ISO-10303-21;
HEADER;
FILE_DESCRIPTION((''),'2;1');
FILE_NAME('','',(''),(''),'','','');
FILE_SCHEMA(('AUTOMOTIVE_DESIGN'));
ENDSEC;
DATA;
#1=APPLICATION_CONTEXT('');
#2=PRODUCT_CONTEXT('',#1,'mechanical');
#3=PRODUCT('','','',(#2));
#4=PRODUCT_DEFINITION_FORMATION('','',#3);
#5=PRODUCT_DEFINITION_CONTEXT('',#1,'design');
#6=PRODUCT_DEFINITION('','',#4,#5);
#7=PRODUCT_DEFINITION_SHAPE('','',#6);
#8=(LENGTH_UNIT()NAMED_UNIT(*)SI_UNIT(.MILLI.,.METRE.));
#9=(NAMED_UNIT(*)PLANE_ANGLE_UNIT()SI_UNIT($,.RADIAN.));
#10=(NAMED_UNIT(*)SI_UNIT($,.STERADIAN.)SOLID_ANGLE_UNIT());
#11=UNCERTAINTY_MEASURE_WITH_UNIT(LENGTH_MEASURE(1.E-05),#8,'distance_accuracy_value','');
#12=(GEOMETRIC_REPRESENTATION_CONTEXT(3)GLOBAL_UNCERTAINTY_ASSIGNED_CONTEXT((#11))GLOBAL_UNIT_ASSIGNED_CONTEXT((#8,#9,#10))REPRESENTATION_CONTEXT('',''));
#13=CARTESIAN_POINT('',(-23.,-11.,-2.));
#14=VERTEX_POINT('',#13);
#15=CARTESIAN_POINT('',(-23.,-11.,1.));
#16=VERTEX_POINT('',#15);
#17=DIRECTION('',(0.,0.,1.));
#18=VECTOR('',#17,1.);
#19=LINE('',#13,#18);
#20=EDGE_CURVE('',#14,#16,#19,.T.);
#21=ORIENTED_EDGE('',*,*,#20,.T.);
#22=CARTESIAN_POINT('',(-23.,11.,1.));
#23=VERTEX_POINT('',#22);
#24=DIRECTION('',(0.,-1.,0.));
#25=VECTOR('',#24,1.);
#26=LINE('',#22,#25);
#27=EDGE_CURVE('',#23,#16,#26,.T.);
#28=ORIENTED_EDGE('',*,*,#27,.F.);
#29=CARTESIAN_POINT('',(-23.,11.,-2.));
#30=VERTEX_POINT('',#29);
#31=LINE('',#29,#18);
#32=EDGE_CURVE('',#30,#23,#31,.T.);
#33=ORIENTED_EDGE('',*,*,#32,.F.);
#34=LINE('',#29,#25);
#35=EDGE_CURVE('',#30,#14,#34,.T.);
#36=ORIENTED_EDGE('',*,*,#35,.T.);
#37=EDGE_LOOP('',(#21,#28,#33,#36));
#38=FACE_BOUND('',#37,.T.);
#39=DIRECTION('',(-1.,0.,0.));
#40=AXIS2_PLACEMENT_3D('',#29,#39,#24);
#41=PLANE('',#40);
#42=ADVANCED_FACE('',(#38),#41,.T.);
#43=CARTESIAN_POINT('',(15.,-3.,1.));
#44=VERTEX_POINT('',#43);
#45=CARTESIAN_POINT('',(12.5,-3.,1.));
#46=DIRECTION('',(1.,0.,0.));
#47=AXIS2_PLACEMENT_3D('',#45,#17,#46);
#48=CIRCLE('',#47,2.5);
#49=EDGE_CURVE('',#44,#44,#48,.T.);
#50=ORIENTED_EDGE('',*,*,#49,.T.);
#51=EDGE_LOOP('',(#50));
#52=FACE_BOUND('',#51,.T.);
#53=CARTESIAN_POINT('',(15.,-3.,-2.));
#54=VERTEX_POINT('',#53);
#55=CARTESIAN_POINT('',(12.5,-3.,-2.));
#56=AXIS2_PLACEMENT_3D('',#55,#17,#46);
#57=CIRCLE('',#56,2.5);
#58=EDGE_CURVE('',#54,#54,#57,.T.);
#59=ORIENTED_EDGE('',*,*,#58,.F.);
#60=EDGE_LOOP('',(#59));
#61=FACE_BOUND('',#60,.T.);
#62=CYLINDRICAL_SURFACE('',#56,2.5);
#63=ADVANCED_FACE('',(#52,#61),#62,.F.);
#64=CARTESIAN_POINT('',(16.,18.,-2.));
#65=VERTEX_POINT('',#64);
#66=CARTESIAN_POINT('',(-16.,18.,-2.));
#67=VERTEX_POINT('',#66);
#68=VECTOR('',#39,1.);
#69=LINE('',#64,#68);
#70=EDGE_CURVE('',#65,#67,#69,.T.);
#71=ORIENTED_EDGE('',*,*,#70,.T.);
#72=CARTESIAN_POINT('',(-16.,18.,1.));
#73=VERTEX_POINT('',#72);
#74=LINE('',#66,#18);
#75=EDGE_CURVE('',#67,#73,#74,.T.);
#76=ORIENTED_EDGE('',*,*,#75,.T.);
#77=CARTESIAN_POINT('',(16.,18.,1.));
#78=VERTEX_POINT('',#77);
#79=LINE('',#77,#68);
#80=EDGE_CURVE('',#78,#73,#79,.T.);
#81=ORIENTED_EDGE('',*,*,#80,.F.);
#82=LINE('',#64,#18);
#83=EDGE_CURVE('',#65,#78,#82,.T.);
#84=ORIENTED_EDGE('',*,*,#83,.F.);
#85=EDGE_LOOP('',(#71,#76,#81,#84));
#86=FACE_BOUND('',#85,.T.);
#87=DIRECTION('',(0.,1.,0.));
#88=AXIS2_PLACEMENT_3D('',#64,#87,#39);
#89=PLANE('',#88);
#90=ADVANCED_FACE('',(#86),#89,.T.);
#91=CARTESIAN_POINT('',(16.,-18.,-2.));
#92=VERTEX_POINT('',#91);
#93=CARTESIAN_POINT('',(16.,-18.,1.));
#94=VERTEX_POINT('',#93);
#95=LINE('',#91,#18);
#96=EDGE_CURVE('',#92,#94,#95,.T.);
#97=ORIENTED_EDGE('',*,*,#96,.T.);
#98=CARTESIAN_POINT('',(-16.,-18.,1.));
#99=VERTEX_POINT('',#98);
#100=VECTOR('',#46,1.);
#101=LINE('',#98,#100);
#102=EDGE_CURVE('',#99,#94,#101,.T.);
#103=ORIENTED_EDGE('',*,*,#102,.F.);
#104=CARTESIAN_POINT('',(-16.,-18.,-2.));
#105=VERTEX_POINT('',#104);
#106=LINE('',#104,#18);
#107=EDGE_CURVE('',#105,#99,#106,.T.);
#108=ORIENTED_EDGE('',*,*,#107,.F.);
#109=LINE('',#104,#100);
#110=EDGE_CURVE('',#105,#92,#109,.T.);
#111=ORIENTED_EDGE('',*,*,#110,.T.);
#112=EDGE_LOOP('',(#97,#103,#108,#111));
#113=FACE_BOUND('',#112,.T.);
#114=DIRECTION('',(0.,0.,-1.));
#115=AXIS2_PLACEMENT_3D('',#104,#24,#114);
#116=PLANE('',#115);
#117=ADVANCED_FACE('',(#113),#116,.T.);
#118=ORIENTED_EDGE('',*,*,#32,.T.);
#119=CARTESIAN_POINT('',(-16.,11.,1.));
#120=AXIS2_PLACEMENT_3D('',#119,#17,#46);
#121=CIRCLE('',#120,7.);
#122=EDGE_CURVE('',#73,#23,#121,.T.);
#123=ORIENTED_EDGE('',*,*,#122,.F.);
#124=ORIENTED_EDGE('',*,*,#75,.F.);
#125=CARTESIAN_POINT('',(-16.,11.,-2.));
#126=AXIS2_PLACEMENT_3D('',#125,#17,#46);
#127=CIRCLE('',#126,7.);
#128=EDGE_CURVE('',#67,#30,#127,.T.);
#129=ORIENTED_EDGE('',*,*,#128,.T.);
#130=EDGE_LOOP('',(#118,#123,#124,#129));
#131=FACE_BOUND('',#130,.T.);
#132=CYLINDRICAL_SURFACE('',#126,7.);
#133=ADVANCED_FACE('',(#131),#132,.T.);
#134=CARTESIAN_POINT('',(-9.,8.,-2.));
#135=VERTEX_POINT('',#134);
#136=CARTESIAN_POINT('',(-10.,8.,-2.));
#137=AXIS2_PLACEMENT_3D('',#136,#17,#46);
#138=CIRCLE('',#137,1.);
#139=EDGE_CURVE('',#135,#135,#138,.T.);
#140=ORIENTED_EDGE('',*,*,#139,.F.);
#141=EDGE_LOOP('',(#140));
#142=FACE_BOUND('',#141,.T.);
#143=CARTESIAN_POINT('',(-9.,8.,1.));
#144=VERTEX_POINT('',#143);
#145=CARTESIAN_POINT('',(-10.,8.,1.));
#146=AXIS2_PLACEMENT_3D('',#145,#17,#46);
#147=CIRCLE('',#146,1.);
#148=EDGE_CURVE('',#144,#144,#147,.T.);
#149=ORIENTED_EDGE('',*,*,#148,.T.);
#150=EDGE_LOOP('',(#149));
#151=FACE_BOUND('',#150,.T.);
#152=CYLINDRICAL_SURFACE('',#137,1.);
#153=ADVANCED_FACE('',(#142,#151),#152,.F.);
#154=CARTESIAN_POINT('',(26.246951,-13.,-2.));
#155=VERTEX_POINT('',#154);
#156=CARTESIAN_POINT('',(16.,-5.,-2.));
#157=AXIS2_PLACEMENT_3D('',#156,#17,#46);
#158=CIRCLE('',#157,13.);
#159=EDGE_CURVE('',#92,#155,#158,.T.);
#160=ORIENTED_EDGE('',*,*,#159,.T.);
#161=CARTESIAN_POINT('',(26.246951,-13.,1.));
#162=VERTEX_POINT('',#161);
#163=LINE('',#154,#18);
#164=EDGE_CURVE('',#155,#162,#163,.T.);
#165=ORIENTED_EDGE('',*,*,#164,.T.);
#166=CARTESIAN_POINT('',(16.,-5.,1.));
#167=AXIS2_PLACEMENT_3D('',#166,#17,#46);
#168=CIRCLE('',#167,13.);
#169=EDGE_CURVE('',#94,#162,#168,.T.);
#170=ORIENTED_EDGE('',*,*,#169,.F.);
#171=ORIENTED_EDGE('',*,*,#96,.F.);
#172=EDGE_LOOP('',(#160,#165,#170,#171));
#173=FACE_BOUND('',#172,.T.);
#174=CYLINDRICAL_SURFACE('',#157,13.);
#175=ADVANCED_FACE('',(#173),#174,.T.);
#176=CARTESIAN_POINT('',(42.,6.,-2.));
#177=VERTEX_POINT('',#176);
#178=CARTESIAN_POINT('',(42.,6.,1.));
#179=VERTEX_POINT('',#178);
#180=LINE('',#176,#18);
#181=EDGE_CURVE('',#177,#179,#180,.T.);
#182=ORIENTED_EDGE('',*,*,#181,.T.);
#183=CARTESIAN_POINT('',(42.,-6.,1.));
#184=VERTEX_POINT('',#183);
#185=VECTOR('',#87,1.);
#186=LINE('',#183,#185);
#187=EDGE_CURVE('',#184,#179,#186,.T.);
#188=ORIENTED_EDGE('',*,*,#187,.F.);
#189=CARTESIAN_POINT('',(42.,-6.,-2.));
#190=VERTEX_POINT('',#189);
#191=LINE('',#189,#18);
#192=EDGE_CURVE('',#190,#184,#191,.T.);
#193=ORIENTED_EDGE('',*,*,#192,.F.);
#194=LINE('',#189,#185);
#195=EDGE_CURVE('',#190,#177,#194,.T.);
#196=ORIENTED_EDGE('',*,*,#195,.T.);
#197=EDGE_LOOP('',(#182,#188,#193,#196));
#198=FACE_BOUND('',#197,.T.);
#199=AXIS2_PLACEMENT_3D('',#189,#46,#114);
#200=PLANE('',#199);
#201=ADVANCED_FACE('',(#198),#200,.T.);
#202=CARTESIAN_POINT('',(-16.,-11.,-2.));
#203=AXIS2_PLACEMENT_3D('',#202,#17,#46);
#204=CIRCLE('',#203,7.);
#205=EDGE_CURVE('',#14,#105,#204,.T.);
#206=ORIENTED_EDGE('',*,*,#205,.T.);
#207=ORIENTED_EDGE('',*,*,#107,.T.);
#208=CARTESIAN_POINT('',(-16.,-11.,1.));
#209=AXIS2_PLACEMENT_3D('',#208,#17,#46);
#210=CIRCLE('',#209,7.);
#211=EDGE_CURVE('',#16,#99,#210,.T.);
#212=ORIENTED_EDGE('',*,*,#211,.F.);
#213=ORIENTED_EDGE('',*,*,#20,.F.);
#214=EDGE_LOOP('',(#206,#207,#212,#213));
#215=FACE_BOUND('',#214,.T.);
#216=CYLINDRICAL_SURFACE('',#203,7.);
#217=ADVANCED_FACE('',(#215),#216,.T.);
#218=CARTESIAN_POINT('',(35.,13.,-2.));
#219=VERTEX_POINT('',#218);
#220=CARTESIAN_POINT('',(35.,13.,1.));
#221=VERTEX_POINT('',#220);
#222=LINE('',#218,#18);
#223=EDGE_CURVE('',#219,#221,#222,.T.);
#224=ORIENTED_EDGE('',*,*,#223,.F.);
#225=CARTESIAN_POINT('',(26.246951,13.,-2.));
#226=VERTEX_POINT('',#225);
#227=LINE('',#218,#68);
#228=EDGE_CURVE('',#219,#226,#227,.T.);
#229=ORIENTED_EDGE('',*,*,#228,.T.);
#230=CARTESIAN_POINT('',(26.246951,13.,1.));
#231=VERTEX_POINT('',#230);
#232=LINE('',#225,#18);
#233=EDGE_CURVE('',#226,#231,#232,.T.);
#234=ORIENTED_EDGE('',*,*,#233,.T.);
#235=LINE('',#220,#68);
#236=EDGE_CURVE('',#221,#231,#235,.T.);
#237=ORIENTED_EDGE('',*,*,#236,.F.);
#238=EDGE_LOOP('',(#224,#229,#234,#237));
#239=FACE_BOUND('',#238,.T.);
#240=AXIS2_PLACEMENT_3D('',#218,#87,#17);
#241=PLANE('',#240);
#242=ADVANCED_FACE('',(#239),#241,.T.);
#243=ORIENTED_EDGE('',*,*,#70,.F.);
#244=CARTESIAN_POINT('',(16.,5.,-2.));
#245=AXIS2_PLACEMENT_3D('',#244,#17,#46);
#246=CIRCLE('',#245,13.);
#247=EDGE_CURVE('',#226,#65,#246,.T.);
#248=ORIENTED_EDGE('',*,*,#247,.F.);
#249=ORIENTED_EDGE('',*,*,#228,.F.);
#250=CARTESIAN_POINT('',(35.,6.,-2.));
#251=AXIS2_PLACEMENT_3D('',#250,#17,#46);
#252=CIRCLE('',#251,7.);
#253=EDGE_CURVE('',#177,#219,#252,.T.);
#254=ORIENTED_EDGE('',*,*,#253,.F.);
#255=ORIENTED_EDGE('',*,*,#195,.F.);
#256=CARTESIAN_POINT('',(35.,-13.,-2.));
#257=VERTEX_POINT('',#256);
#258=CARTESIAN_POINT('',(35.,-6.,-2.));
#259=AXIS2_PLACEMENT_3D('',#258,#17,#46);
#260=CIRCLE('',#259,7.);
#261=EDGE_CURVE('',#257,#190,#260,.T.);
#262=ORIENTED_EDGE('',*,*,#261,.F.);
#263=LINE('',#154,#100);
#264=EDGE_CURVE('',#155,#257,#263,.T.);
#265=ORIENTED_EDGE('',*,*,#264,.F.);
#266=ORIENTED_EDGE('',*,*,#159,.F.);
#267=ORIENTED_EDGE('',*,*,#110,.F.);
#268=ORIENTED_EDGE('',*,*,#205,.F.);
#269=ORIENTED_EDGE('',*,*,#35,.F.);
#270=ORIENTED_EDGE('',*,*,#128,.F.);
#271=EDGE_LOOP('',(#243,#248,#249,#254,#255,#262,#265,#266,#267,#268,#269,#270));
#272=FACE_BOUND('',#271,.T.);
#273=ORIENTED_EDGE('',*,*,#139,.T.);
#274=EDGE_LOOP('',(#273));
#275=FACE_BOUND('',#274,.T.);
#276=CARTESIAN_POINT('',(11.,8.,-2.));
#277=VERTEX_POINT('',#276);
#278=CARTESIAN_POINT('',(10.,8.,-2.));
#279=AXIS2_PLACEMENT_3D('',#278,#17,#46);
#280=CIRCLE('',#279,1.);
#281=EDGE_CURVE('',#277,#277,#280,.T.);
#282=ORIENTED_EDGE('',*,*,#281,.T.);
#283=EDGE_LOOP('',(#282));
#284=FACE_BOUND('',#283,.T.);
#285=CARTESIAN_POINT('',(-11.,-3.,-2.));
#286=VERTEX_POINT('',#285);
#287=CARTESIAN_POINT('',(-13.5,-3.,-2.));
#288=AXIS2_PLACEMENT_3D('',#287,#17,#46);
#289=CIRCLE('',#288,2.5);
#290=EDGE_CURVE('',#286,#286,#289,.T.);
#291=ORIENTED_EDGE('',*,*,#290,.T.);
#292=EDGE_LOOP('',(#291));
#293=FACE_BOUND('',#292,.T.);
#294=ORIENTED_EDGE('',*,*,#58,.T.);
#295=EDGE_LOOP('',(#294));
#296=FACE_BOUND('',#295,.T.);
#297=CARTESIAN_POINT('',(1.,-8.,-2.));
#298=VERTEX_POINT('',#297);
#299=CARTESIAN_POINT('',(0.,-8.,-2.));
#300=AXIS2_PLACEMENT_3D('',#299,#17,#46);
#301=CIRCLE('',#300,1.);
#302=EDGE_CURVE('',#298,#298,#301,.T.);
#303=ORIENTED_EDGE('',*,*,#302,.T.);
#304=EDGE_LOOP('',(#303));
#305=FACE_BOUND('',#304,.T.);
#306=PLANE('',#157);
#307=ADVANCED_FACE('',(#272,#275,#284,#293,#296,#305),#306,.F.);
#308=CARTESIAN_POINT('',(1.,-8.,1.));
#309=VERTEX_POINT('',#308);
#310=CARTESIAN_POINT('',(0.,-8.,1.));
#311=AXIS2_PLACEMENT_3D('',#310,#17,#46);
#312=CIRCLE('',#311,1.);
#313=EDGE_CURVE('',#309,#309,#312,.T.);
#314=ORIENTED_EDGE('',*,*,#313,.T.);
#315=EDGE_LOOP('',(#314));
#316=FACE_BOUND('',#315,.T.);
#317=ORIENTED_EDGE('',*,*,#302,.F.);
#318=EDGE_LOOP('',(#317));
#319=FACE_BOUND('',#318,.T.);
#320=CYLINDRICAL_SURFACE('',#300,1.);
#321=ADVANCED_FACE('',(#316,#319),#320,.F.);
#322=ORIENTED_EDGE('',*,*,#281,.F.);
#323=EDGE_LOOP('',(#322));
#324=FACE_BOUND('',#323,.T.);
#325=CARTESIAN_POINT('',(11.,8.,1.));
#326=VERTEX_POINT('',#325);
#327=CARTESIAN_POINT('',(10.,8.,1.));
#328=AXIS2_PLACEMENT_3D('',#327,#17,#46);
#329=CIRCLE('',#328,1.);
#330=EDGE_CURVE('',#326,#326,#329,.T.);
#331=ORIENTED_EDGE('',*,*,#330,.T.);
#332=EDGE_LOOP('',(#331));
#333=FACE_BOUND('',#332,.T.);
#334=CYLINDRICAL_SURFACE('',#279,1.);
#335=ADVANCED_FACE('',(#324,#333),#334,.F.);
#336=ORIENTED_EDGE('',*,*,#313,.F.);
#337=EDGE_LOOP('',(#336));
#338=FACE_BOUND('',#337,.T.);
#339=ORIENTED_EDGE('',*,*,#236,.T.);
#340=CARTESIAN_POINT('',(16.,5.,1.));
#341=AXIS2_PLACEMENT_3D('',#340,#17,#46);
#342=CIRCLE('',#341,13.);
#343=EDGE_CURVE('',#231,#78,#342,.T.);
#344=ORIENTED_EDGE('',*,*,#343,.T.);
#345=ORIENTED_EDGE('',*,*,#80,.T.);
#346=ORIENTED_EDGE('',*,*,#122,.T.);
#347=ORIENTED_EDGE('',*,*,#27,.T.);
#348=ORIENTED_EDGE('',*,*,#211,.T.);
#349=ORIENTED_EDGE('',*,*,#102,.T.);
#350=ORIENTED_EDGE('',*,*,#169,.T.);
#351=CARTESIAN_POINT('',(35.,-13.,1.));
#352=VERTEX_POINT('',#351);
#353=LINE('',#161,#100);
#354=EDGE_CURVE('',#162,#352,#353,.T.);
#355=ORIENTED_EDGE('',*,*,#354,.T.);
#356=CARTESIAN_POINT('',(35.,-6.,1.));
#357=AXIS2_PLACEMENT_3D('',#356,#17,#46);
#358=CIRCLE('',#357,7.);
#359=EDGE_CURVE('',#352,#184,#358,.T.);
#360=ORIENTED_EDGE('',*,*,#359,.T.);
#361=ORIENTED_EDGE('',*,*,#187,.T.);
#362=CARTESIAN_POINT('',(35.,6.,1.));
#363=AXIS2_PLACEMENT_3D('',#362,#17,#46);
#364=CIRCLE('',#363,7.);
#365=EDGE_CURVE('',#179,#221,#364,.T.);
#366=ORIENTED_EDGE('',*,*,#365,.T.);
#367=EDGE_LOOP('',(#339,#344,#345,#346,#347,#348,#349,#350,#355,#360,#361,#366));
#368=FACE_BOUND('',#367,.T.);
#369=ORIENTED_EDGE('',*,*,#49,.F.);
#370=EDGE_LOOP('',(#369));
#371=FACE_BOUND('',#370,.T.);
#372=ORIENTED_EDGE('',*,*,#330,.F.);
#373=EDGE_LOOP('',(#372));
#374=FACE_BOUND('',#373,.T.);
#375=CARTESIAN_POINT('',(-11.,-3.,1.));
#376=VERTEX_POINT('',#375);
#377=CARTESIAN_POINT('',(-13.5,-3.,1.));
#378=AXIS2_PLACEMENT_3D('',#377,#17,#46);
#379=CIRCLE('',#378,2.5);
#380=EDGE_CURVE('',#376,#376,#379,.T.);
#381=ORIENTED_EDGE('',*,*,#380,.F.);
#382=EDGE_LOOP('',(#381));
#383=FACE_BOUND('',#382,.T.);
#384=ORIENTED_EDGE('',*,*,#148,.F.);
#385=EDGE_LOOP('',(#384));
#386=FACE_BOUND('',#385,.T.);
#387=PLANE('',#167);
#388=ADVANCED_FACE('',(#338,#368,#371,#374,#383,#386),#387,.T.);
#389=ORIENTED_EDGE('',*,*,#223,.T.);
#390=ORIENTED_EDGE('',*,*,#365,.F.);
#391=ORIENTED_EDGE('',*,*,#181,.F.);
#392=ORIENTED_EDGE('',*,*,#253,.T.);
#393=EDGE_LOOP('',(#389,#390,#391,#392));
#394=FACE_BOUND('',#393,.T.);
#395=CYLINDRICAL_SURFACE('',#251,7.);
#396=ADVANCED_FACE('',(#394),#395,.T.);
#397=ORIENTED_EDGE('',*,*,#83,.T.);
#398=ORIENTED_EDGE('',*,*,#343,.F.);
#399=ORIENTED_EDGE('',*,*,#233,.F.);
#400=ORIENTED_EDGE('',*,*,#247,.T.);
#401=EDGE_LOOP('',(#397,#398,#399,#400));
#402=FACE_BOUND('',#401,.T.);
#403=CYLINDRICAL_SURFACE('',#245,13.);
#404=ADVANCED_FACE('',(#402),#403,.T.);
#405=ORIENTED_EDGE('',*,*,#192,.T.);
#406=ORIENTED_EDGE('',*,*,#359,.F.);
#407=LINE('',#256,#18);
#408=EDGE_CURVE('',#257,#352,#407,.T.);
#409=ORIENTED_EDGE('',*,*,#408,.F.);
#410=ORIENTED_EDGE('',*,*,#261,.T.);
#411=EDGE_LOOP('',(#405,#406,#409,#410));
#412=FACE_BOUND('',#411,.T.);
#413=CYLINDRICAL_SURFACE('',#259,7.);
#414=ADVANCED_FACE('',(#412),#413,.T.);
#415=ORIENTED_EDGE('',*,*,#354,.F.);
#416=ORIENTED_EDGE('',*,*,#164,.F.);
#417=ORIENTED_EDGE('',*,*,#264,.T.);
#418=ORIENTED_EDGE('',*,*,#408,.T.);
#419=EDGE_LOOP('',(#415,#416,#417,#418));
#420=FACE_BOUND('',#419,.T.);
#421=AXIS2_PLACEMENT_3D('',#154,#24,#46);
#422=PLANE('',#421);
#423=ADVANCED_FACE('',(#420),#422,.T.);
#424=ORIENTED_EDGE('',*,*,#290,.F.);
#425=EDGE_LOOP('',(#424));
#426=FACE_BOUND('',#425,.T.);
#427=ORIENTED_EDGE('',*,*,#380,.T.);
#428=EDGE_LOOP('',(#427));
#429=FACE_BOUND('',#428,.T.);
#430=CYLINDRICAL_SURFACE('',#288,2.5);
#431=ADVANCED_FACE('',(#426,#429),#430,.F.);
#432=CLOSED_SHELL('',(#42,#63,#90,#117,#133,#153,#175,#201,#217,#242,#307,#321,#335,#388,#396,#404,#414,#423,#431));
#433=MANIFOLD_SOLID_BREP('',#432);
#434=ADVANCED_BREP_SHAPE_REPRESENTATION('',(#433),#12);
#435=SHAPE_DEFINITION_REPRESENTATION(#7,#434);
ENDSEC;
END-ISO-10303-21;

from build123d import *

# Parameters (mm, degrees)
INSERT_IN_SHEET_METAL_HOLE_DEPTH = 1
BACKING_DEPTH                    = 3
SCREWHOLES_DEPTH                 = 46.793012567
SCREWHOLES_DEPTH_BACK            = 46.793012567
SKETCH3_R                        = 1
WIRE_HOLES_DEPTH                 = 46.793012567
WIRE_HOLES_DEPTH_BACK            = 46.793012567
SKETCH4_R                        = 2.5


with BuildPart() as part:
    # Sketch1 → Insert in sheet metal hole (new body)
    with BuildSketch(Plane.XY):
        with BuildLine():
            Line((-18, 11), (-18, -11))
            ThreePointArc((-18, -11), (-17.414213562, -12.414213562), (-16, -13))
            Line((-16, -13), (16, -13))
            ThreePointArc((16, -13), (20, -11.92820323), (22.92820323, -9))
            ThreePointArc((22.92820323, -9), (23.660254038, -8.267949192), (24.660254038, -8))
            Line((24.660254038, -8), (35, -8))
            ThreePointArc((35, -8), (36.414213562, -7.414213562), (37, -6))
            Line((37, -6), (37, 6))
            ThreePointArc((37, 6), (36.414213562, 7.414213562), (35, 8))
            Line((35, 8), (24.660254038, 8))
            ThreePointArc((24.660254038, 8), (23.660254038, 8.267949192), (22.92820323, 9))
            ThreePointArc((22.92820323, 9), (20, 11.92820323), (16, 13))
            Line((16, 13), (-16, 13))
            ThreePointArc((-16, 13), (-17.414213562, 12.414213562), (-18, 11))
        make_face()
    extrude(amount=INSERT_IN_SHEET_METAL_HOLE_DEPTH)

    # Sketch2 → Backing (add)
    with BuildSketch(Plane.XY.offset(1)):
        with BuildLine():
            Line((26.246950766, -13), (35, -13))
            ThreePointArc((35, -13), (39.949747468, -10.949747468), (42, -6))
            Line((42, -6), (42, 6))
            ThreePointArc((42, 6), (39.949747468, 10.949747468), (35, 13))
            Line((35, 13), (26.246950766, 13))
            ThreePointArc((26.246950766, 13), (21.700877125, 16.683321446), (16, 18))
            Line((16, 18), (-16, 18))
            ThreePointArc((-16, 18), (-20.949747468, 15.949747468), (-23, 11))
            Line((-23, 11), (-23, -11))
            ThreePointArc((-23, -11), (-20.949747468, -15.949747468), (-16, -18))
            Line((-16, -18), (16, -18))
            ThreePointArc((16, -18), (21.700877125, -16.683321446), (26.246950766, -13))
        make_face()
    extrude(amount=-BACKING_DEPTH)

    # Sketch3 → Screwholes (cut, two sides: drawn at the far end of the back side and taken through both)
    with BuildSketch(Plane.XY.offset(1).offset(-SCREWHOLES_DEPTH_BACK)):
        with Locations((-10, 8)):
            Circle(SKETCH3_R)
        with Locations((10, 8)):
            Circle(SKETCH3_R)
        with Locations((0, -8)):
            Circle(SKETCH3_R)
    extrude(amount=SCREWHOLES_DEPTH + SCREWHOLES_DEPTH_BACK, mode=Mode.SUBTRACT)

    # Sketch4 → Wire holes (cut, two sides: drawn at the far end of the back side and taken through both)
    with BuildSketch(Plane.XY.offset(1).offset(-WIRE_HOLES_DEPTH_BACK)):
        with Locations((-13.5, -3)):
            Circle(SKETCH4_R)
        with Locations((12.5, -3)):
            Circle(SKETCH4_R)
    extrude(amount=WIRE_HOLES_DEPTH + WIRE_HOLES_DEPTH_BACK, mode=Mode.SUBTRACT)


solid = part.part
